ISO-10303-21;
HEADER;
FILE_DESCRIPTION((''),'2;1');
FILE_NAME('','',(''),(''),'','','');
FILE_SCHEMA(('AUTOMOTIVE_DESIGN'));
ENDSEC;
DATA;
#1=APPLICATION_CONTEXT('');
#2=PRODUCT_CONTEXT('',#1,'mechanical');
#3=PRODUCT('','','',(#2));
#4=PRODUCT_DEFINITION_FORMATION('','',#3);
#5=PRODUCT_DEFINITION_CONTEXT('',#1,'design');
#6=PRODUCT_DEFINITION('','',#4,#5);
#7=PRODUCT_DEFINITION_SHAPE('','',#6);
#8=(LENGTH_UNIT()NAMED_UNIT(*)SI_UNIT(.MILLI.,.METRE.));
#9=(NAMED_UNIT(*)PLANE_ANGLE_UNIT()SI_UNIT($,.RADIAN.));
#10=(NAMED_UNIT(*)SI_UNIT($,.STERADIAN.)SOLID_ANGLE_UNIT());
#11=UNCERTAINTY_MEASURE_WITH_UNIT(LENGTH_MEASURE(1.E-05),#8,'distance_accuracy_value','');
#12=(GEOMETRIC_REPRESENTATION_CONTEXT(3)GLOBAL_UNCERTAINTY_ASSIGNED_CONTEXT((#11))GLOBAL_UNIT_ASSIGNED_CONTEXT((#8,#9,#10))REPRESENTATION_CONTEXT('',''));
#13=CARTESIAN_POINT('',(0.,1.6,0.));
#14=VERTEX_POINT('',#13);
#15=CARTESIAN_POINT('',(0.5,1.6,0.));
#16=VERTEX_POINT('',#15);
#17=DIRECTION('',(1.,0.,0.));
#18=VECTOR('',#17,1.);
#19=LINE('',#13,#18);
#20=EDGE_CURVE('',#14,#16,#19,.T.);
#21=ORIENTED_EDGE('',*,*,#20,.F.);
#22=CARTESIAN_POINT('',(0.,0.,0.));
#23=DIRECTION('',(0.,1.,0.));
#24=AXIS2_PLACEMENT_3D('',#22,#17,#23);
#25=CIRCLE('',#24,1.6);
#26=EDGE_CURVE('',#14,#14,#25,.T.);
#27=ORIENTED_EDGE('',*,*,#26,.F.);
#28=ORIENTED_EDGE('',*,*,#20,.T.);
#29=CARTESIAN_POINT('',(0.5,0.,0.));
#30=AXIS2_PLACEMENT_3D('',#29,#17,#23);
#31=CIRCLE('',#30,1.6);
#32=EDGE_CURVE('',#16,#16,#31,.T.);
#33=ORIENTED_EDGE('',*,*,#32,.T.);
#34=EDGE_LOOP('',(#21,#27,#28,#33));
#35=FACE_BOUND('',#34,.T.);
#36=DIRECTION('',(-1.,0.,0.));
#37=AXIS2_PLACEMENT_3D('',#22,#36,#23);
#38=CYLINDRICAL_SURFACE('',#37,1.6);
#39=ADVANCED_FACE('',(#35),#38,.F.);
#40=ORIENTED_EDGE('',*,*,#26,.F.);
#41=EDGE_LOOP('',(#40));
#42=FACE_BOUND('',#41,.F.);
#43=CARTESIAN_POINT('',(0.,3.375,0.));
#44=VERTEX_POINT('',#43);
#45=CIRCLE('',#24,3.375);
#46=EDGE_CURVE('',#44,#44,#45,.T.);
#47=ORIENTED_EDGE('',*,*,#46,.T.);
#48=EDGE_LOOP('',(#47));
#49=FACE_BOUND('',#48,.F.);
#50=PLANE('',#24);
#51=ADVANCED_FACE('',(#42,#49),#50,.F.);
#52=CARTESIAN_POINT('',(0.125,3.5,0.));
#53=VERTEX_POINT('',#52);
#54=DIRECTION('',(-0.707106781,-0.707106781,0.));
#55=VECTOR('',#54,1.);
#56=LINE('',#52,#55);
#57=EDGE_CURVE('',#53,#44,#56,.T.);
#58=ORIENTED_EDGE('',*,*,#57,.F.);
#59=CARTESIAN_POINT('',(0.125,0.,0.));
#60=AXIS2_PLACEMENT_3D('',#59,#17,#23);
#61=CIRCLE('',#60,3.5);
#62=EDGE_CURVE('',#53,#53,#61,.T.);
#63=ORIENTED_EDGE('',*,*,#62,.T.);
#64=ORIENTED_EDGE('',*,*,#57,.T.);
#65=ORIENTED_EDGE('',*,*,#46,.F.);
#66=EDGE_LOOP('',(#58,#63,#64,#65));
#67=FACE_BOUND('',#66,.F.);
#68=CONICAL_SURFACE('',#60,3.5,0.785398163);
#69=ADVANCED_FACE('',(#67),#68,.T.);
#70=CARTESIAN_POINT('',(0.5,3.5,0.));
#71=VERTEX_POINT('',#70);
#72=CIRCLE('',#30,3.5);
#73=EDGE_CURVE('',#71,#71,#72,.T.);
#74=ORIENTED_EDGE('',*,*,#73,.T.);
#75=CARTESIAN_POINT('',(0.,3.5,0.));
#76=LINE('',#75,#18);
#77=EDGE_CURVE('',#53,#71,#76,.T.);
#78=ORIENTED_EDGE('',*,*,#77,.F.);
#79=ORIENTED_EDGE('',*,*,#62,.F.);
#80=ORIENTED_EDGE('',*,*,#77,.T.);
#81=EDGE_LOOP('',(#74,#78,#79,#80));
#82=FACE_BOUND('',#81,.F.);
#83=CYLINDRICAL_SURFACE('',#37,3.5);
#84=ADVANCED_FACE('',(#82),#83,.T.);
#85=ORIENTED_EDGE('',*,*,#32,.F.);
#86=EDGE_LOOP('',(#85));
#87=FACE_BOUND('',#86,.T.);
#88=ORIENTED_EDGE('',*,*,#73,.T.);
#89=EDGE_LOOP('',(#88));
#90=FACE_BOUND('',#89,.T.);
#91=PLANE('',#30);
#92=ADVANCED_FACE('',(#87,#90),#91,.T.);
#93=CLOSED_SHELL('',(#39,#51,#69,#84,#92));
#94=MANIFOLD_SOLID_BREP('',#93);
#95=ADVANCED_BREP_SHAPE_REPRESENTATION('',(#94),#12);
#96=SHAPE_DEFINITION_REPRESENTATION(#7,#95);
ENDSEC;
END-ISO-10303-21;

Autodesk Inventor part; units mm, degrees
ref_plane "YZ Plane" through (0, 0, 0) normal (1, 0, 0) x (0, 1, 0)
ref_plane "XZ Plane" through (0, 0, 0) normal (0, 1, 0) x (-1, 0, 0)
sketch "Sketch" plane through (0, 0, 0) normal (1, 0, 0) x (0, 1, 0)
  circle A0 centre (0, 0) radius 3.5
  circle A1 centre (0, 0) radius 1.6
  dimension "d0" = 3.2
  dimension "d1" = 7
extrude "Body" add sketch "Sketch" along normal blind 0.5
chamfer "Chamfer" distance 0.125 angle 45 1 edges at (0, -3.5, 0) measured on face at (0.3333, 3.4887, -0.2816)
ref_plane "Work Plane1" through (0, 0, 0) normal (0, 1, 0) x (1, 0, 0)
equation "\"d0\" = SD1"
equation "\"d1\" = SD2"
equation "\"d2\" = SD"
equation "\"d4\" = PHH"
equation "\"d8\" = PHH"
equation "\"SD1\" = 3.2"
equation "\"SD2\" = 7"
equation "\"SD\" = 0.5"
equation "\"PHH\" = 0.125"
equation "\"FAWI\" = 45deg"
equation "\"NND\" = 3"
properties part number "M3 Washer" material "Steel, Mild"
